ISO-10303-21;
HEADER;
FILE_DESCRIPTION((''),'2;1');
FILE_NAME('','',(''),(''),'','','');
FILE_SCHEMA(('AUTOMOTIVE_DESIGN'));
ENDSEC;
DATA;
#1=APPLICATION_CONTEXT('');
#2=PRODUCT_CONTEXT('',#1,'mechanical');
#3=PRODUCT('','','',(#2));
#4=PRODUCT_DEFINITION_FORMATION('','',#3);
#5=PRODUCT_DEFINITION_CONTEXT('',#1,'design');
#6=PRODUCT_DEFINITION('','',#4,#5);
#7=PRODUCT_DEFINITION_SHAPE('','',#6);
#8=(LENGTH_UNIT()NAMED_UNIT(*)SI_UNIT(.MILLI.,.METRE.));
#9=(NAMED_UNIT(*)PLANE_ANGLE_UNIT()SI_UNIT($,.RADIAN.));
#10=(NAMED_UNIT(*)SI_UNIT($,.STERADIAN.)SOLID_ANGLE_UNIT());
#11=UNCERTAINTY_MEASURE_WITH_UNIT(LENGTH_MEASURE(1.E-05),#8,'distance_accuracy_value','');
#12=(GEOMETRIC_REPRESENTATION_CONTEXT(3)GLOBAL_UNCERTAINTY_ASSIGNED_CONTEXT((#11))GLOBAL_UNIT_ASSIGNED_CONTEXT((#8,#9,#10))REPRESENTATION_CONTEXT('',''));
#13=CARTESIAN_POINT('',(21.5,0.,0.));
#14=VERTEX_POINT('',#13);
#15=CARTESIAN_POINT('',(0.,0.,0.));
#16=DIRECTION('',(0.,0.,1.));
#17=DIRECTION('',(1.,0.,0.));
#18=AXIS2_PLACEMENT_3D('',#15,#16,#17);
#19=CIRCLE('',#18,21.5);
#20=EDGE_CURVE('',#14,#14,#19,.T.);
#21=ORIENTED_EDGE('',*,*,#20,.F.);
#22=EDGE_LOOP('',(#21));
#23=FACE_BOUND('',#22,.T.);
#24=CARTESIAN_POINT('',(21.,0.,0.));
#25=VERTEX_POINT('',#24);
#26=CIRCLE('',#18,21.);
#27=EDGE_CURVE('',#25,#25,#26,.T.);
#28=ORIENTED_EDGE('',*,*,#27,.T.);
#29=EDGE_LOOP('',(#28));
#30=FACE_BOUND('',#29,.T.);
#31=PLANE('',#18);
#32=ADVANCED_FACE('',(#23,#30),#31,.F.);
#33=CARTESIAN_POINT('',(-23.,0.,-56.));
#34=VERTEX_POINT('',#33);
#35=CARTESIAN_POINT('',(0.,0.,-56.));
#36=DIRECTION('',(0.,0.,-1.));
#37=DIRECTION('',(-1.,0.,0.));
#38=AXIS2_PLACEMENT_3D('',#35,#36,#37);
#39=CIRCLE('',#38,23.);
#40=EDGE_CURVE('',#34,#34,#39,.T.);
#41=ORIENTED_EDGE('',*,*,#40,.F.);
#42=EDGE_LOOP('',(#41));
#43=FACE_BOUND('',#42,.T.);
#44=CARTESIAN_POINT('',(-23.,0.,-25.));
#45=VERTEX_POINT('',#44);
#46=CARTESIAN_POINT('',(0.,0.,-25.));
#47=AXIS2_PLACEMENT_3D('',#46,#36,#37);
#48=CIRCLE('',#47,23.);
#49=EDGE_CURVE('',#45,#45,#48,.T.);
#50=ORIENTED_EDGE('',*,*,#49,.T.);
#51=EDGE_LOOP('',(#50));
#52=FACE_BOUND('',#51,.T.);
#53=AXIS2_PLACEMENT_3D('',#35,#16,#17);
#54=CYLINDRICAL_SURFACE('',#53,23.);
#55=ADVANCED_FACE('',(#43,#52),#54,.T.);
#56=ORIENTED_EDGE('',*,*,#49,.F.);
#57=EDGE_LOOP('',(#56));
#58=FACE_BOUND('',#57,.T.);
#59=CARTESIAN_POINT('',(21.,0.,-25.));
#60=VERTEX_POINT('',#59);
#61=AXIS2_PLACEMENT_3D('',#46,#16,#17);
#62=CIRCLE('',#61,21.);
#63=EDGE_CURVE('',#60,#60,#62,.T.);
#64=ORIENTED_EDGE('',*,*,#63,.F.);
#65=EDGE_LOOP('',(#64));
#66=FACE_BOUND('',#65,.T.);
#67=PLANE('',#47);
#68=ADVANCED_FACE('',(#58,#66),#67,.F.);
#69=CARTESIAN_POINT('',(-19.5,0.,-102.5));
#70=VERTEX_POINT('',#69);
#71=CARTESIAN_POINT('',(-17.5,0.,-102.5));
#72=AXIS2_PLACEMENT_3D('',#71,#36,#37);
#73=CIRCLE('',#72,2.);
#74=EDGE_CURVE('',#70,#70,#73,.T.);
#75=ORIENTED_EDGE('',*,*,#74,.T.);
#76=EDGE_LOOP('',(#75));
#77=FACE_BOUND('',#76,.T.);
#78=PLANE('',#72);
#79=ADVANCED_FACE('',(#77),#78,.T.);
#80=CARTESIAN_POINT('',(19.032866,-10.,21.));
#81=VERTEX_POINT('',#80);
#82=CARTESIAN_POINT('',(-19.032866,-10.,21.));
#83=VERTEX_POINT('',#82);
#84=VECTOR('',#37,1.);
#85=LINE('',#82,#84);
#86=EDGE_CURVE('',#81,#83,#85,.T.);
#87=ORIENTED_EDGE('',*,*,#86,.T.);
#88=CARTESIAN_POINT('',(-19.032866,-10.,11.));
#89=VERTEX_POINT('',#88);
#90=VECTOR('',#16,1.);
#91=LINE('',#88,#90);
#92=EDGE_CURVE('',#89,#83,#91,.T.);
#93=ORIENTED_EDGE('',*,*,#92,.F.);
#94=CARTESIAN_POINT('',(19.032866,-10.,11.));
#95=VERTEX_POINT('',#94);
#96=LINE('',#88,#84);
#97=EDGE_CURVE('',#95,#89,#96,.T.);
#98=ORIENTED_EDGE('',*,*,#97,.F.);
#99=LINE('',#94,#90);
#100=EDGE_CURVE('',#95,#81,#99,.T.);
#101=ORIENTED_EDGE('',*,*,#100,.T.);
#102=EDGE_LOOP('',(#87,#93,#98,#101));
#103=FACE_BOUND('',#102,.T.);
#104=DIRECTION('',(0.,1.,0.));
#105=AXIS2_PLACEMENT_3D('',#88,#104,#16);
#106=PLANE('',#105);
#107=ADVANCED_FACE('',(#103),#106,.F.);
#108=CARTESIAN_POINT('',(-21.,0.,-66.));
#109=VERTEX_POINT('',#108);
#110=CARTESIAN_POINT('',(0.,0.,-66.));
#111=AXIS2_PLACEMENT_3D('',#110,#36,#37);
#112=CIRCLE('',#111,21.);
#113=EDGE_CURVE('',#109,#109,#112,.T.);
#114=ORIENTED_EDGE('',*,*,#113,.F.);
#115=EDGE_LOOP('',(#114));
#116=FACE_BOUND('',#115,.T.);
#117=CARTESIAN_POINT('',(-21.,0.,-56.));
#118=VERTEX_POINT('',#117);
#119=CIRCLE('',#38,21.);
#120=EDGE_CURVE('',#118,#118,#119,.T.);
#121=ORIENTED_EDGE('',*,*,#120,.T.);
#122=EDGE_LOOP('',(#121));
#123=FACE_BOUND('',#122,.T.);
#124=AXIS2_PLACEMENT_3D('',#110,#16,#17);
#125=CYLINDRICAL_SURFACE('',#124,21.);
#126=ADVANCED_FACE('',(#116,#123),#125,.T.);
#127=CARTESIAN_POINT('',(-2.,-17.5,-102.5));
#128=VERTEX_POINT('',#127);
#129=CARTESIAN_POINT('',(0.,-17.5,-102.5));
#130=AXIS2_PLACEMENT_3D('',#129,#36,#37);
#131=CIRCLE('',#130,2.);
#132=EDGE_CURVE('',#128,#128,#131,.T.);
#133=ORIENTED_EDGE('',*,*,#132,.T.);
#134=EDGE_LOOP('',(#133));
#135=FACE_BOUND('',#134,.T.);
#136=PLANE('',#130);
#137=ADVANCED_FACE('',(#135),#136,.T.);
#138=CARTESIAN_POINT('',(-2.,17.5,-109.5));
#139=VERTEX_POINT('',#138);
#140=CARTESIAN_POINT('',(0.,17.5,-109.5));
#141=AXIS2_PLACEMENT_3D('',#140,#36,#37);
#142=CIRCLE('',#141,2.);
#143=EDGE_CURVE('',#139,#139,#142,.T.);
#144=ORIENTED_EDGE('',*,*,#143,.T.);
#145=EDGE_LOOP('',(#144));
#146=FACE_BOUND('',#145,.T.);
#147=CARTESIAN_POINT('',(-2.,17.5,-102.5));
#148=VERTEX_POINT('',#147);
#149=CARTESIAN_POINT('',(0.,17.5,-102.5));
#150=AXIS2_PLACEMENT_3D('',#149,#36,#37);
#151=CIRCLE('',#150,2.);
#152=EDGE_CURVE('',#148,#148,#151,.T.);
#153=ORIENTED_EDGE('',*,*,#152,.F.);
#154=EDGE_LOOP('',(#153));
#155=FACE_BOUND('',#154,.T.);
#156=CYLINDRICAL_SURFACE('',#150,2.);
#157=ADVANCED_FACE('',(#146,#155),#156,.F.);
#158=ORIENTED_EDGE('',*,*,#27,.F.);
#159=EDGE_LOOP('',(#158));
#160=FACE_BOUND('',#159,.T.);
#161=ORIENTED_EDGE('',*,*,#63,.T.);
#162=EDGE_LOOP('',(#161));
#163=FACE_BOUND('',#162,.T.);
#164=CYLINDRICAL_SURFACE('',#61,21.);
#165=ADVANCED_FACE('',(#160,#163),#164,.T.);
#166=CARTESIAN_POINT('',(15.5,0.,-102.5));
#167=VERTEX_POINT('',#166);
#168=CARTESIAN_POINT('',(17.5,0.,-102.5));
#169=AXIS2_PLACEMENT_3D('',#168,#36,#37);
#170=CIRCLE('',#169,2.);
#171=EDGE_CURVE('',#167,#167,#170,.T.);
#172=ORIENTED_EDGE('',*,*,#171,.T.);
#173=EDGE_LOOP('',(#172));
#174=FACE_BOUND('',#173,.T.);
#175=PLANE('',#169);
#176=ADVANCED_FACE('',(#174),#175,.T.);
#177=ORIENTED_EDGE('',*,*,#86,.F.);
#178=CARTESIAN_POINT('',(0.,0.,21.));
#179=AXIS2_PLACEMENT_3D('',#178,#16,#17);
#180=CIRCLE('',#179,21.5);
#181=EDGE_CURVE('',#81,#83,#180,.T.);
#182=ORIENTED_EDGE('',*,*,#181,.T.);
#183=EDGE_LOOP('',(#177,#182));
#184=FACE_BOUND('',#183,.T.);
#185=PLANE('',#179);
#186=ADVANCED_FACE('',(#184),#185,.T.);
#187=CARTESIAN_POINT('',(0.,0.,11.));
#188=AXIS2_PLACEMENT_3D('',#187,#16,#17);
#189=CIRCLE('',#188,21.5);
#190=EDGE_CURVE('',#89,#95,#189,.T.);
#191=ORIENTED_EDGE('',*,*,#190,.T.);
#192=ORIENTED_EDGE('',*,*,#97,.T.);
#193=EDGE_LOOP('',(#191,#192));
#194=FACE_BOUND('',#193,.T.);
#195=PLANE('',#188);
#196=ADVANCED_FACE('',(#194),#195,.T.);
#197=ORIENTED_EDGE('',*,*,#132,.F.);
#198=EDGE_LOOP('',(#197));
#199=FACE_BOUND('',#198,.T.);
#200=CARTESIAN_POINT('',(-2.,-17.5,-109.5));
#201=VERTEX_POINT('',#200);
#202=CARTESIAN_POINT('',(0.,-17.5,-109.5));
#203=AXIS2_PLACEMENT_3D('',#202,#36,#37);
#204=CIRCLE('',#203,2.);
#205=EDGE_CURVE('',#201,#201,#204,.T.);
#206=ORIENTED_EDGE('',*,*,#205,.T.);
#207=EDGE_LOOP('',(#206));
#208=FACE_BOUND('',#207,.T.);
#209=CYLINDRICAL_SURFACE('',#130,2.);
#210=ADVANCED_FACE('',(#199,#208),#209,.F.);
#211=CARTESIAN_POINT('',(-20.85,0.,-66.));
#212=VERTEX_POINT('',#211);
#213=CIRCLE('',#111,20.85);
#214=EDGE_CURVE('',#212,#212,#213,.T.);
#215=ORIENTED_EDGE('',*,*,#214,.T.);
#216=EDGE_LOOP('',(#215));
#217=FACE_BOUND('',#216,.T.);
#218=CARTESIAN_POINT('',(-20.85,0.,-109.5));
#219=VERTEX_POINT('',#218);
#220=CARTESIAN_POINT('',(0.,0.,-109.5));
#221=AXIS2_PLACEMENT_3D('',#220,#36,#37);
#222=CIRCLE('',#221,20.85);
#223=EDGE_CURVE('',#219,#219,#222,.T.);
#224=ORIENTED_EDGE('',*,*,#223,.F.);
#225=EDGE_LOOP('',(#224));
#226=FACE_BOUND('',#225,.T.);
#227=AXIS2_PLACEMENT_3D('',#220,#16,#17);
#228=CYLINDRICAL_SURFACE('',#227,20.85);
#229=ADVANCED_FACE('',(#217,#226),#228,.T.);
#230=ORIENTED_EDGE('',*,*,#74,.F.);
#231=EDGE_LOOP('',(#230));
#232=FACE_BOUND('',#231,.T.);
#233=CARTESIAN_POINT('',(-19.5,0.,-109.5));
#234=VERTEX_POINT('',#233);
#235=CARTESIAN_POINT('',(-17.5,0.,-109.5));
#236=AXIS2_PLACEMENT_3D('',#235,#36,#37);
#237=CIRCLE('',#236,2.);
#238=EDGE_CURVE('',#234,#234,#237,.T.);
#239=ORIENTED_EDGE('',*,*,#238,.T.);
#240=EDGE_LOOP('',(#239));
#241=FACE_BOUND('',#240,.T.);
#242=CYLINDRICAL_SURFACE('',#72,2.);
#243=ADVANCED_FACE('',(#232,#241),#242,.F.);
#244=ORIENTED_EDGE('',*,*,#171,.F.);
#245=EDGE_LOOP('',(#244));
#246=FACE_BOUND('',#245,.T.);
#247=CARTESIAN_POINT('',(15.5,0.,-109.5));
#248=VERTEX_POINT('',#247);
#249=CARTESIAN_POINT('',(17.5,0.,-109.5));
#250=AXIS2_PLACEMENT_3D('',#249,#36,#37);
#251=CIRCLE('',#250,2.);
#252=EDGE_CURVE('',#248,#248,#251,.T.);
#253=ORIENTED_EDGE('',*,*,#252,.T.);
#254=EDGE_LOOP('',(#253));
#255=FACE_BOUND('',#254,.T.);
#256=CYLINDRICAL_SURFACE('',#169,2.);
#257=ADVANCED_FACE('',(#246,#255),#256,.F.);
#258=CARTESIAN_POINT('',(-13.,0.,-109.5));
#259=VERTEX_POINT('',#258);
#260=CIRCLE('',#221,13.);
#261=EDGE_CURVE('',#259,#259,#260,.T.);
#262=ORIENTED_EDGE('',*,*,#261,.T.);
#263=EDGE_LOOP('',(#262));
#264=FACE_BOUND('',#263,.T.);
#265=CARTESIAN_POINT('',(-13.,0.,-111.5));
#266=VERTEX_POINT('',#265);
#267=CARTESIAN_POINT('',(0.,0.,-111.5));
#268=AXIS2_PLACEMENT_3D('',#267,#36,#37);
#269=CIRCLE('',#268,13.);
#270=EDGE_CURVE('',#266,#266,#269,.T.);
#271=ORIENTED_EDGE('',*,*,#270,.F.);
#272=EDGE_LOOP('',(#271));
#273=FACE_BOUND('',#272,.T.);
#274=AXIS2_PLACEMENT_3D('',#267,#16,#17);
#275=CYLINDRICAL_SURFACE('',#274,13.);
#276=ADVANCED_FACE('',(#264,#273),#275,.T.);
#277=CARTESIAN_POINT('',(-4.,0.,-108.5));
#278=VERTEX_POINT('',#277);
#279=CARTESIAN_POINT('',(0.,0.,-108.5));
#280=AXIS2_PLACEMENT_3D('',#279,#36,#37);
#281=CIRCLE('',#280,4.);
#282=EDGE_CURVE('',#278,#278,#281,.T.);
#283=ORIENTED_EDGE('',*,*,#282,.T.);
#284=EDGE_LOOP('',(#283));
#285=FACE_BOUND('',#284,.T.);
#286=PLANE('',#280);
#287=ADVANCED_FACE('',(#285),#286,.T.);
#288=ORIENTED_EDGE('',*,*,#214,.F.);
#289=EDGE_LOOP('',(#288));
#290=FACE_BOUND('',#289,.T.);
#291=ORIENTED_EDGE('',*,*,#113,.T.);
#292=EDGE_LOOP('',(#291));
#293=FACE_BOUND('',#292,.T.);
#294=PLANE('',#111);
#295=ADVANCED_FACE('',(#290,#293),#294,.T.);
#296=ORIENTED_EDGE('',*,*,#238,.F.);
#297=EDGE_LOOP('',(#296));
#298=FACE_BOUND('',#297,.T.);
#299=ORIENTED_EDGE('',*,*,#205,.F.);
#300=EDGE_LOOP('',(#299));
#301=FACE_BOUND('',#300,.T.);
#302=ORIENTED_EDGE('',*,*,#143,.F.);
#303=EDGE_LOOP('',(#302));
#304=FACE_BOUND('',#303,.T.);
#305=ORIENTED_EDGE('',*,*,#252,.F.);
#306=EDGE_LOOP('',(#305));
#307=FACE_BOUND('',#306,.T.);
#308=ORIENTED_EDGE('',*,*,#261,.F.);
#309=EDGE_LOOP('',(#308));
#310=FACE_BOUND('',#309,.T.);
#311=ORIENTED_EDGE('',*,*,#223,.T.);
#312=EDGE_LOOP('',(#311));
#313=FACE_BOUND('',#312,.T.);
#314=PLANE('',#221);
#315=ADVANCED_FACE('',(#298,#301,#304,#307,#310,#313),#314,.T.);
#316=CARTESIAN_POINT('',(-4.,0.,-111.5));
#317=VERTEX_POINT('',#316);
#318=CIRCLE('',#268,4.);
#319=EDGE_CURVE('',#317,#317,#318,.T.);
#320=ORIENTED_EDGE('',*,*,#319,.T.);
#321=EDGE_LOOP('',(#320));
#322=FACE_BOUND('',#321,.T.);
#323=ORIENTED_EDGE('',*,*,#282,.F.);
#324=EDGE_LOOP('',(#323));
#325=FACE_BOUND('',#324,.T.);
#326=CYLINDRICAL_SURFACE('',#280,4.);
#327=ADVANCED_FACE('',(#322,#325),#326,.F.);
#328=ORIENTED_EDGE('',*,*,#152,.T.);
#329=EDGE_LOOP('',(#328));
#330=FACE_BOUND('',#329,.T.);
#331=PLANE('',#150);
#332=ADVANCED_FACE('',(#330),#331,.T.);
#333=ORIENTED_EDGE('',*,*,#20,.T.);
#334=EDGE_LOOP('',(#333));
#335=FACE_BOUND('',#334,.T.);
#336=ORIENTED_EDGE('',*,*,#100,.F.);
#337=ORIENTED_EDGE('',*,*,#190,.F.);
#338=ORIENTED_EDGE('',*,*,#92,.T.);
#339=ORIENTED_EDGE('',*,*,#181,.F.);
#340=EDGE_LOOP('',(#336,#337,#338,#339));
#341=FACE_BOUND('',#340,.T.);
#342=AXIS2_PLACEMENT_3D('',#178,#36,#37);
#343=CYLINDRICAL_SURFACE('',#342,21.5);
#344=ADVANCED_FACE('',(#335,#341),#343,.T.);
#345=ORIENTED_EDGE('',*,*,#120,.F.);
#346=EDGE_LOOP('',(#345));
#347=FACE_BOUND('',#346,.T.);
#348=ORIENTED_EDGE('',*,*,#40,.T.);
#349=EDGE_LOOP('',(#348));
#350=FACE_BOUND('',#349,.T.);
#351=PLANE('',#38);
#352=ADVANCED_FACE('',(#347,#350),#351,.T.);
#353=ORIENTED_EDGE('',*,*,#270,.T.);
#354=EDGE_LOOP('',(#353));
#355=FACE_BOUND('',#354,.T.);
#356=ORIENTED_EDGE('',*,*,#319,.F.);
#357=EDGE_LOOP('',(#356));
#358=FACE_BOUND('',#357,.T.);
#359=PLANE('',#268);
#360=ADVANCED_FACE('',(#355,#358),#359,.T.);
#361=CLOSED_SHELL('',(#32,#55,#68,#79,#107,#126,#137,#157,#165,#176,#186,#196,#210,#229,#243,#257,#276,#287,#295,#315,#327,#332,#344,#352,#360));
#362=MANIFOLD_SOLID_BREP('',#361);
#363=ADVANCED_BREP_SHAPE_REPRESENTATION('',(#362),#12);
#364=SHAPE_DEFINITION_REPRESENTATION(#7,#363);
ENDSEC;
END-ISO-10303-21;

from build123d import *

# Parameters (mm, degrees)
SKETCH1_R           = 21
BOSS_EXTRUDE1_DEPTH = 25
SKETCH2_R           = 23
BOSS_EXTRUDE2_DEPTH = 31
SKETCH3_R           = 21
BOSS_EXTRUDE3_DEPTH = 10
SKETCH4_R           = 20.85
BOSS_EXTRUDE4_DEPTH = 43.5
SKETCH5_R           = 13
BOSS_EXTRUDE5_DEPTH = 2
SKETCH6_R           = 4
CUT_EXTRUDE1_DEPTH  = 3
SKETCH7_R           = 21.5
BOSS_EXTRUDE6_DEPTH = 21
CUT_EXTRUDE2_START  = -10
CUT_EXTRUDE2_DEPTH  = 10
SKETCH9_R           = 2
CUT_EXTRUDE3_DEPTH  = 7


with BuildPart() as part:
    # Sketch1 → Boss-Extrude1 (new body)
    with BuildSketch(Plane.XY):
        Circle(SKETCH1_R)
    extrude(amount=-BOSS_EXTRUDE1_DEPTH)

    # Sketch2 → Boss-Extrude2 (add)
    with BuildSketch(Plane(origin=(0, 0, -25), x_dir=(-1, 0, 0), z_dir=(0, 0, -1))):
        Circle(SKETCH2_R)
    extrude(amount=BOSS_EXTRUDE2_DEPTH)

    # Sketch3 → Boss-Extrude3 (add)
    with BuildSketch(Plane(origin=(0, 0, -56), x_dir=(-1, 0, 0), z_dir=(0, 0, -1))):
        with Locations(Location((0, 0, 0), (0, 0, 180))):
            Circle(SKETCH3_R)
    extrude(amount=BOSS_EXTRUDE3_DEPTH)

    # Sketch4 → Boss-Extrude4 (add)
    with BuildSketch(Plane(origin=(0, 0, -66), x_dir=(-1, 0, 0), z_dir=(0, 0, -1))):
        Circle(SKETCH4_R)
    extrude(amount=BOSS_EXTRUDE4_DEPTH)

    # Sketch5 → Boss-Extrude5 (add)
    with BuildSketch(Plane(origin=(0, 0, -109.5), x_dir=(-1, 0, 0), z_dir=(0, 0, -1))):
        Circle(SKETCH5_R)
    extrude(amount=BOSS_EXTRUDE5_DEPTH)

    # Sketch6 → Cut-Extrude1 (cut)
    with BuildSketch(Plane(origin=(0, 0, -111.5), x_dir=(-1, 0, 0), z_dir=(0, 0, -1))):
        Circle(SKETCH6_R)
    extrude(amount=-CUT_EXTRUDE1_DEPTH, mode=Mode.SUBTRACT)

    # Sketch7 → Boss-Extrude6 (add)
    with BuildSketch(Plane.XY):
        with Locations(Location((0, 0, 0), (0, 0, 180))):
            Circle(SKETCH7_R)
    extrude(amount=BOSS_EXTRUDE6_DEPTH)

    # Sketch8 → Cut-Extrude2 (cut)
    with BuildSketch(Plane.XY.offset(21).offset(CUT_EXTRUDE2_START)):
        with BuildLine():
            Line((-19.032866311, -10), (19.032866311, -10))
            ThreePointArc((19.032866311, -10), (0, -21.5), (-19.032866311, -10))
        make_face()
    extrude(amount=CUT_EXTRUDE2_DEPTH, mode=Mode.SUBTRACT)

    # Sketch9 → Cut-Extrude3 (cut)
    with BuildSketch(Plane(origin=(0, 0, -109.5), x_dir=(-1, 0, 0), z_dir=(0, 0, -1))):
        with Locations((0, 17.5)):
            Circle(SKETCH9_R)
        with Locations((17.5, 0)):
            Circle(SKETCH9_R)
        with Locations((0, -17.5)):
            Circle(SKETCH9_R)
        with Locations((-17.5, 0)):
            Circle(SKETCH9_R)
    extrude(amount=-CUT_EXTRUDE3_DEPTH, mode=Mode.SUBTRACT)


solid = part.part
